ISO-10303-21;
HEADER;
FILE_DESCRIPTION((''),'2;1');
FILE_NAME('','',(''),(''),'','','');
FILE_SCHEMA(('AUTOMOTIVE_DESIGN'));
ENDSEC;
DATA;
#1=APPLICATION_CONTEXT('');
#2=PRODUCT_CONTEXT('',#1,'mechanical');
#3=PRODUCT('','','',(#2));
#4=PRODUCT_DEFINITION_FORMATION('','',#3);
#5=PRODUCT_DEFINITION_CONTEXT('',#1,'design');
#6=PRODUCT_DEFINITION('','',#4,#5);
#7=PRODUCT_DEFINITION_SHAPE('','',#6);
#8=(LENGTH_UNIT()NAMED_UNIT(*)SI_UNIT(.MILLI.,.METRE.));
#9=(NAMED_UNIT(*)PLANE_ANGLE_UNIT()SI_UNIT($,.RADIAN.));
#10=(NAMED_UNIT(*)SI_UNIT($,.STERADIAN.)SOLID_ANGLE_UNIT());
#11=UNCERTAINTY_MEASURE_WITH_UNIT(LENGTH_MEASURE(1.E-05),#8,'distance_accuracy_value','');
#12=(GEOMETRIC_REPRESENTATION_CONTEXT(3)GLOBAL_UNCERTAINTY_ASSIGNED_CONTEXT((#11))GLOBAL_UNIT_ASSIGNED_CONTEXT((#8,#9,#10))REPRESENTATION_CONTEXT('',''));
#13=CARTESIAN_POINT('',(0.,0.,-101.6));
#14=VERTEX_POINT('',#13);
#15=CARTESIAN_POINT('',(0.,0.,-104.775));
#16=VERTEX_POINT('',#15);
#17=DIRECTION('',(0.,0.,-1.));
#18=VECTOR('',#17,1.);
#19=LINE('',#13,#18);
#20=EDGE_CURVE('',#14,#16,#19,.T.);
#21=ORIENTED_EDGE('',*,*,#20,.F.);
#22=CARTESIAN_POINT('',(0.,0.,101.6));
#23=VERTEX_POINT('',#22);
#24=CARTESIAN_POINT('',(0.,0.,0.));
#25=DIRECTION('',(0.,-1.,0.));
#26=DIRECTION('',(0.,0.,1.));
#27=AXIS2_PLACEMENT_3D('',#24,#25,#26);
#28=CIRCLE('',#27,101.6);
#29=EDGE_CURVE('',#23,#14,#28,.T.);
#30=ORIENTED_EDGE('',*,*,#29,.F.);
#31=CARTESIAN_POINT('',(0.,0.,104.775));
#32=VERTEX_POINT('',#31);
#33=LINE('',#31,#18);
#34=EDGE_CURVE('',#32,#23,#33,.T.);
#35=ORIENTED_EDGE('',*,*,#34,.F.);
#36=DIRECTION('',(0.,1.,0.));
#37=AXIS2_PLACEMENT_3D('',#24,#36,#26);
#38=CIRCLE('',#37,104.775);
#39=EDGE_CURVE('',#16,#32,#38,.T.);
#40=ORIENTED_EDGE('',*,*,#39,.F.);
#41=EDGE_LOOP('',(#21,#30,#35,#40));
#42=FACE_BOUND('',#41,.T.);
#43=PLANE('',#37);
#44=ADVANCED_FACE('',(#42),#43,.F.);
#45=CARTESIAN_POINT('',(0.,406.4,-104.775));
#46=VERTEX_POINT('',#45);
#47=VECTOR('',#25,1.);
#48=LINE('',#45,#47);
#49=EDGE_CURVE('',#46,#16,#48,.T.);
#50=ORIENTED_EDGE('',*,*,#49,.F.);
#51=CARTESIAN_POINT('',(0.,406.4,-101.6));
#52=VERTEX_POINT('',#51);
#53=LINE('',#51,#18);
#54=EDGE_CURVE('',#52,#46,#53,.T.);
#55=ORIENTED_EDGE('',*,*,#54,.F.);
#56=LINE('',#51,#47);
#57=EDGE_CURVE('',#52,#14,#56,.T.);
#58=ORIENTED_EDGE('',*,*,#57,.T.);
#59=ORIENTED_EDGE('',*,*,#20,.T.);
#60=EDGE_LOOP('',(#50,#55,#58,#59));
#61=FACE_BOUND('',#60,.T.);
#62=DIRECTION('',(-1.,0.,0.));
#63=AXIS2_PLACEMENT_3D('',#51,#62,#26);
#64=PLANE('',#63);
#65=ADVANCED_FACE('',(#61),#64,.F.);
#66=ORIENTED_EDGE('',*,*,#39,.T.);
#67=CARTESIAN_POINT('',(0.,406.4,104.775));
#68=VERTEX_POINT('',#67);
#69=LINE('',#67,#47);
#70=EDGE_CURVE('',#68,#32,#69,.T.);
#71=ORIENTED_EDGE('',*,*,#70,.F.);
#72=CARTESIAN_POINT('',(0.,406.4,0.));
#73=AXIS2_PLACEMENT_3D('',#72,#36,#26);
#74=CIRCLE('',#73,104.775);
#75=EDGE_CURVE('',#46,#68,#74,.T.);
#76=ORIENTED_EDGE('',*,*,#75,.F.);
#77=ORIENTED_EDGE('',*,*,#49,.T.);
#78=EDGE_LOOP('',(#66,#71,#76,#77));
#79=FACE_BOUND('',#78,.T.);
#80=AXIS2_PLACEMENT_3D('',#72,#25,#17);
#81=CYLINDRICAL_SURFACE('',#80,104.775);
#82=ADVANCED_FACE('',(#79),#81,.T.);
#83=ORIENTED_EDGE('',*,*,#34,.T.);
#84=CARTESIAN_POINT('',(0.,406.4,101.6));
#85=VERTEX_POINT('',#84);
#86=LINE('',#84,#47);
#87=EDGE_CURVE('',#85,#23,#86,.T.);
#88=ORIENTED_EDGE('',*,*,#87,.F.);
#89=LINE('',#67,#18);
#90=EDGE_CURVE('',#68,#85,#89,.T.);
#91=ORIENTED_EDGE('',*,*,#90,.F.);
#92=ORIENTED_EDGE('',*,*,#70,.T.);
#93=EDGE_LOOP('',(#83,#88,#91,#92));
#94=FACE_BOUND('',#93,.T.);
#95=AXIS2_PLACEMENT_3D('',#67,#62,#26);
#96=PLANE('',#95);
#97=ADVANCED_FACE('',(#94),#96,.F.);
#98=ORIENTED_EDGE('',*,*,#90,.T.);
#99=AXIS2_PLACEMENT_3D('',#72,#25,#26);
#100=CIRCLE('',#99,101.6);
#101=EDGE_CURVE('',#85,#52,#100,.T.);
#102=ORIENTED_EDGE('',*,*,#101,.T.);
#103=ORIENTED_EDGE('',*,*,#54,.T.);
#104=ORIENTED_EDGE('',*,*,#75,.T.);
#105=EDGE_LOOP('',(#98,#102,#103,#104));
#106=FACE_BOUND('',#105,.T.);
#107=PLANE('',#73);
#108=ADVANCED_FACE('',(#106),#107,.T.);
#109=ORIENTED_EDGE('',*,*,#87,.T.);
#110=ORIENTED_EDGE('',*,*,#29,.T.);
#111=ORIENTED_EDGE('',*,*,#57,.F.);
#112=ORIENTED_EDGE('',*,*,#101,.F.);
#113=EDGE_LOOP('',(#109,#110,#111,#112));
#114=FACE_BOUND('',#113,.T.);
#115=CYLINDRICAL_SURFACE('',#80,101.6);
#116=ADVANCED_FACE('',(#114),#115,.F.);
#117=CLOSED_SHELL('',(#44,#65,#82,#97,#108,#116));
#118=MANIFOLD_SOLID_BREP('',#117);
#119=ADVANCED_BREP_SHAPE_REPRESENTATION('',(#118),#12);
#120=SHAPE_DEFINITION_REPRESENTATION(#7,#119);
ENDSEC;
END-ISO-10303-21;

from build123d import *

# Parameters (mm, degrees)
BOSS_EXTRUDE1_DEPTH = 406.4


with BuildPart() as part:
    # Sketch1 → Boss-Extrude1 (new body)
    with BuildSketch(Plane(origin=(0, 0, 0), x_dir=(1, 0, 0), z_dir=(0, 1, 0))):
        with BuildLine():
            Line((0, 101.6), (0, 104.775))
            ThreePointArc((0, 104.775), (-104.775, 0), (0, -104.775))
            Line((0, -104.775), (0, -101.6))
            ThreePointArc((0, -101.6), (-101.6, 0), (0, 101.6))
        make_face()
    extrude(amount=BOSS_EXTRUDE1_DEPTH)


solid = part.part
